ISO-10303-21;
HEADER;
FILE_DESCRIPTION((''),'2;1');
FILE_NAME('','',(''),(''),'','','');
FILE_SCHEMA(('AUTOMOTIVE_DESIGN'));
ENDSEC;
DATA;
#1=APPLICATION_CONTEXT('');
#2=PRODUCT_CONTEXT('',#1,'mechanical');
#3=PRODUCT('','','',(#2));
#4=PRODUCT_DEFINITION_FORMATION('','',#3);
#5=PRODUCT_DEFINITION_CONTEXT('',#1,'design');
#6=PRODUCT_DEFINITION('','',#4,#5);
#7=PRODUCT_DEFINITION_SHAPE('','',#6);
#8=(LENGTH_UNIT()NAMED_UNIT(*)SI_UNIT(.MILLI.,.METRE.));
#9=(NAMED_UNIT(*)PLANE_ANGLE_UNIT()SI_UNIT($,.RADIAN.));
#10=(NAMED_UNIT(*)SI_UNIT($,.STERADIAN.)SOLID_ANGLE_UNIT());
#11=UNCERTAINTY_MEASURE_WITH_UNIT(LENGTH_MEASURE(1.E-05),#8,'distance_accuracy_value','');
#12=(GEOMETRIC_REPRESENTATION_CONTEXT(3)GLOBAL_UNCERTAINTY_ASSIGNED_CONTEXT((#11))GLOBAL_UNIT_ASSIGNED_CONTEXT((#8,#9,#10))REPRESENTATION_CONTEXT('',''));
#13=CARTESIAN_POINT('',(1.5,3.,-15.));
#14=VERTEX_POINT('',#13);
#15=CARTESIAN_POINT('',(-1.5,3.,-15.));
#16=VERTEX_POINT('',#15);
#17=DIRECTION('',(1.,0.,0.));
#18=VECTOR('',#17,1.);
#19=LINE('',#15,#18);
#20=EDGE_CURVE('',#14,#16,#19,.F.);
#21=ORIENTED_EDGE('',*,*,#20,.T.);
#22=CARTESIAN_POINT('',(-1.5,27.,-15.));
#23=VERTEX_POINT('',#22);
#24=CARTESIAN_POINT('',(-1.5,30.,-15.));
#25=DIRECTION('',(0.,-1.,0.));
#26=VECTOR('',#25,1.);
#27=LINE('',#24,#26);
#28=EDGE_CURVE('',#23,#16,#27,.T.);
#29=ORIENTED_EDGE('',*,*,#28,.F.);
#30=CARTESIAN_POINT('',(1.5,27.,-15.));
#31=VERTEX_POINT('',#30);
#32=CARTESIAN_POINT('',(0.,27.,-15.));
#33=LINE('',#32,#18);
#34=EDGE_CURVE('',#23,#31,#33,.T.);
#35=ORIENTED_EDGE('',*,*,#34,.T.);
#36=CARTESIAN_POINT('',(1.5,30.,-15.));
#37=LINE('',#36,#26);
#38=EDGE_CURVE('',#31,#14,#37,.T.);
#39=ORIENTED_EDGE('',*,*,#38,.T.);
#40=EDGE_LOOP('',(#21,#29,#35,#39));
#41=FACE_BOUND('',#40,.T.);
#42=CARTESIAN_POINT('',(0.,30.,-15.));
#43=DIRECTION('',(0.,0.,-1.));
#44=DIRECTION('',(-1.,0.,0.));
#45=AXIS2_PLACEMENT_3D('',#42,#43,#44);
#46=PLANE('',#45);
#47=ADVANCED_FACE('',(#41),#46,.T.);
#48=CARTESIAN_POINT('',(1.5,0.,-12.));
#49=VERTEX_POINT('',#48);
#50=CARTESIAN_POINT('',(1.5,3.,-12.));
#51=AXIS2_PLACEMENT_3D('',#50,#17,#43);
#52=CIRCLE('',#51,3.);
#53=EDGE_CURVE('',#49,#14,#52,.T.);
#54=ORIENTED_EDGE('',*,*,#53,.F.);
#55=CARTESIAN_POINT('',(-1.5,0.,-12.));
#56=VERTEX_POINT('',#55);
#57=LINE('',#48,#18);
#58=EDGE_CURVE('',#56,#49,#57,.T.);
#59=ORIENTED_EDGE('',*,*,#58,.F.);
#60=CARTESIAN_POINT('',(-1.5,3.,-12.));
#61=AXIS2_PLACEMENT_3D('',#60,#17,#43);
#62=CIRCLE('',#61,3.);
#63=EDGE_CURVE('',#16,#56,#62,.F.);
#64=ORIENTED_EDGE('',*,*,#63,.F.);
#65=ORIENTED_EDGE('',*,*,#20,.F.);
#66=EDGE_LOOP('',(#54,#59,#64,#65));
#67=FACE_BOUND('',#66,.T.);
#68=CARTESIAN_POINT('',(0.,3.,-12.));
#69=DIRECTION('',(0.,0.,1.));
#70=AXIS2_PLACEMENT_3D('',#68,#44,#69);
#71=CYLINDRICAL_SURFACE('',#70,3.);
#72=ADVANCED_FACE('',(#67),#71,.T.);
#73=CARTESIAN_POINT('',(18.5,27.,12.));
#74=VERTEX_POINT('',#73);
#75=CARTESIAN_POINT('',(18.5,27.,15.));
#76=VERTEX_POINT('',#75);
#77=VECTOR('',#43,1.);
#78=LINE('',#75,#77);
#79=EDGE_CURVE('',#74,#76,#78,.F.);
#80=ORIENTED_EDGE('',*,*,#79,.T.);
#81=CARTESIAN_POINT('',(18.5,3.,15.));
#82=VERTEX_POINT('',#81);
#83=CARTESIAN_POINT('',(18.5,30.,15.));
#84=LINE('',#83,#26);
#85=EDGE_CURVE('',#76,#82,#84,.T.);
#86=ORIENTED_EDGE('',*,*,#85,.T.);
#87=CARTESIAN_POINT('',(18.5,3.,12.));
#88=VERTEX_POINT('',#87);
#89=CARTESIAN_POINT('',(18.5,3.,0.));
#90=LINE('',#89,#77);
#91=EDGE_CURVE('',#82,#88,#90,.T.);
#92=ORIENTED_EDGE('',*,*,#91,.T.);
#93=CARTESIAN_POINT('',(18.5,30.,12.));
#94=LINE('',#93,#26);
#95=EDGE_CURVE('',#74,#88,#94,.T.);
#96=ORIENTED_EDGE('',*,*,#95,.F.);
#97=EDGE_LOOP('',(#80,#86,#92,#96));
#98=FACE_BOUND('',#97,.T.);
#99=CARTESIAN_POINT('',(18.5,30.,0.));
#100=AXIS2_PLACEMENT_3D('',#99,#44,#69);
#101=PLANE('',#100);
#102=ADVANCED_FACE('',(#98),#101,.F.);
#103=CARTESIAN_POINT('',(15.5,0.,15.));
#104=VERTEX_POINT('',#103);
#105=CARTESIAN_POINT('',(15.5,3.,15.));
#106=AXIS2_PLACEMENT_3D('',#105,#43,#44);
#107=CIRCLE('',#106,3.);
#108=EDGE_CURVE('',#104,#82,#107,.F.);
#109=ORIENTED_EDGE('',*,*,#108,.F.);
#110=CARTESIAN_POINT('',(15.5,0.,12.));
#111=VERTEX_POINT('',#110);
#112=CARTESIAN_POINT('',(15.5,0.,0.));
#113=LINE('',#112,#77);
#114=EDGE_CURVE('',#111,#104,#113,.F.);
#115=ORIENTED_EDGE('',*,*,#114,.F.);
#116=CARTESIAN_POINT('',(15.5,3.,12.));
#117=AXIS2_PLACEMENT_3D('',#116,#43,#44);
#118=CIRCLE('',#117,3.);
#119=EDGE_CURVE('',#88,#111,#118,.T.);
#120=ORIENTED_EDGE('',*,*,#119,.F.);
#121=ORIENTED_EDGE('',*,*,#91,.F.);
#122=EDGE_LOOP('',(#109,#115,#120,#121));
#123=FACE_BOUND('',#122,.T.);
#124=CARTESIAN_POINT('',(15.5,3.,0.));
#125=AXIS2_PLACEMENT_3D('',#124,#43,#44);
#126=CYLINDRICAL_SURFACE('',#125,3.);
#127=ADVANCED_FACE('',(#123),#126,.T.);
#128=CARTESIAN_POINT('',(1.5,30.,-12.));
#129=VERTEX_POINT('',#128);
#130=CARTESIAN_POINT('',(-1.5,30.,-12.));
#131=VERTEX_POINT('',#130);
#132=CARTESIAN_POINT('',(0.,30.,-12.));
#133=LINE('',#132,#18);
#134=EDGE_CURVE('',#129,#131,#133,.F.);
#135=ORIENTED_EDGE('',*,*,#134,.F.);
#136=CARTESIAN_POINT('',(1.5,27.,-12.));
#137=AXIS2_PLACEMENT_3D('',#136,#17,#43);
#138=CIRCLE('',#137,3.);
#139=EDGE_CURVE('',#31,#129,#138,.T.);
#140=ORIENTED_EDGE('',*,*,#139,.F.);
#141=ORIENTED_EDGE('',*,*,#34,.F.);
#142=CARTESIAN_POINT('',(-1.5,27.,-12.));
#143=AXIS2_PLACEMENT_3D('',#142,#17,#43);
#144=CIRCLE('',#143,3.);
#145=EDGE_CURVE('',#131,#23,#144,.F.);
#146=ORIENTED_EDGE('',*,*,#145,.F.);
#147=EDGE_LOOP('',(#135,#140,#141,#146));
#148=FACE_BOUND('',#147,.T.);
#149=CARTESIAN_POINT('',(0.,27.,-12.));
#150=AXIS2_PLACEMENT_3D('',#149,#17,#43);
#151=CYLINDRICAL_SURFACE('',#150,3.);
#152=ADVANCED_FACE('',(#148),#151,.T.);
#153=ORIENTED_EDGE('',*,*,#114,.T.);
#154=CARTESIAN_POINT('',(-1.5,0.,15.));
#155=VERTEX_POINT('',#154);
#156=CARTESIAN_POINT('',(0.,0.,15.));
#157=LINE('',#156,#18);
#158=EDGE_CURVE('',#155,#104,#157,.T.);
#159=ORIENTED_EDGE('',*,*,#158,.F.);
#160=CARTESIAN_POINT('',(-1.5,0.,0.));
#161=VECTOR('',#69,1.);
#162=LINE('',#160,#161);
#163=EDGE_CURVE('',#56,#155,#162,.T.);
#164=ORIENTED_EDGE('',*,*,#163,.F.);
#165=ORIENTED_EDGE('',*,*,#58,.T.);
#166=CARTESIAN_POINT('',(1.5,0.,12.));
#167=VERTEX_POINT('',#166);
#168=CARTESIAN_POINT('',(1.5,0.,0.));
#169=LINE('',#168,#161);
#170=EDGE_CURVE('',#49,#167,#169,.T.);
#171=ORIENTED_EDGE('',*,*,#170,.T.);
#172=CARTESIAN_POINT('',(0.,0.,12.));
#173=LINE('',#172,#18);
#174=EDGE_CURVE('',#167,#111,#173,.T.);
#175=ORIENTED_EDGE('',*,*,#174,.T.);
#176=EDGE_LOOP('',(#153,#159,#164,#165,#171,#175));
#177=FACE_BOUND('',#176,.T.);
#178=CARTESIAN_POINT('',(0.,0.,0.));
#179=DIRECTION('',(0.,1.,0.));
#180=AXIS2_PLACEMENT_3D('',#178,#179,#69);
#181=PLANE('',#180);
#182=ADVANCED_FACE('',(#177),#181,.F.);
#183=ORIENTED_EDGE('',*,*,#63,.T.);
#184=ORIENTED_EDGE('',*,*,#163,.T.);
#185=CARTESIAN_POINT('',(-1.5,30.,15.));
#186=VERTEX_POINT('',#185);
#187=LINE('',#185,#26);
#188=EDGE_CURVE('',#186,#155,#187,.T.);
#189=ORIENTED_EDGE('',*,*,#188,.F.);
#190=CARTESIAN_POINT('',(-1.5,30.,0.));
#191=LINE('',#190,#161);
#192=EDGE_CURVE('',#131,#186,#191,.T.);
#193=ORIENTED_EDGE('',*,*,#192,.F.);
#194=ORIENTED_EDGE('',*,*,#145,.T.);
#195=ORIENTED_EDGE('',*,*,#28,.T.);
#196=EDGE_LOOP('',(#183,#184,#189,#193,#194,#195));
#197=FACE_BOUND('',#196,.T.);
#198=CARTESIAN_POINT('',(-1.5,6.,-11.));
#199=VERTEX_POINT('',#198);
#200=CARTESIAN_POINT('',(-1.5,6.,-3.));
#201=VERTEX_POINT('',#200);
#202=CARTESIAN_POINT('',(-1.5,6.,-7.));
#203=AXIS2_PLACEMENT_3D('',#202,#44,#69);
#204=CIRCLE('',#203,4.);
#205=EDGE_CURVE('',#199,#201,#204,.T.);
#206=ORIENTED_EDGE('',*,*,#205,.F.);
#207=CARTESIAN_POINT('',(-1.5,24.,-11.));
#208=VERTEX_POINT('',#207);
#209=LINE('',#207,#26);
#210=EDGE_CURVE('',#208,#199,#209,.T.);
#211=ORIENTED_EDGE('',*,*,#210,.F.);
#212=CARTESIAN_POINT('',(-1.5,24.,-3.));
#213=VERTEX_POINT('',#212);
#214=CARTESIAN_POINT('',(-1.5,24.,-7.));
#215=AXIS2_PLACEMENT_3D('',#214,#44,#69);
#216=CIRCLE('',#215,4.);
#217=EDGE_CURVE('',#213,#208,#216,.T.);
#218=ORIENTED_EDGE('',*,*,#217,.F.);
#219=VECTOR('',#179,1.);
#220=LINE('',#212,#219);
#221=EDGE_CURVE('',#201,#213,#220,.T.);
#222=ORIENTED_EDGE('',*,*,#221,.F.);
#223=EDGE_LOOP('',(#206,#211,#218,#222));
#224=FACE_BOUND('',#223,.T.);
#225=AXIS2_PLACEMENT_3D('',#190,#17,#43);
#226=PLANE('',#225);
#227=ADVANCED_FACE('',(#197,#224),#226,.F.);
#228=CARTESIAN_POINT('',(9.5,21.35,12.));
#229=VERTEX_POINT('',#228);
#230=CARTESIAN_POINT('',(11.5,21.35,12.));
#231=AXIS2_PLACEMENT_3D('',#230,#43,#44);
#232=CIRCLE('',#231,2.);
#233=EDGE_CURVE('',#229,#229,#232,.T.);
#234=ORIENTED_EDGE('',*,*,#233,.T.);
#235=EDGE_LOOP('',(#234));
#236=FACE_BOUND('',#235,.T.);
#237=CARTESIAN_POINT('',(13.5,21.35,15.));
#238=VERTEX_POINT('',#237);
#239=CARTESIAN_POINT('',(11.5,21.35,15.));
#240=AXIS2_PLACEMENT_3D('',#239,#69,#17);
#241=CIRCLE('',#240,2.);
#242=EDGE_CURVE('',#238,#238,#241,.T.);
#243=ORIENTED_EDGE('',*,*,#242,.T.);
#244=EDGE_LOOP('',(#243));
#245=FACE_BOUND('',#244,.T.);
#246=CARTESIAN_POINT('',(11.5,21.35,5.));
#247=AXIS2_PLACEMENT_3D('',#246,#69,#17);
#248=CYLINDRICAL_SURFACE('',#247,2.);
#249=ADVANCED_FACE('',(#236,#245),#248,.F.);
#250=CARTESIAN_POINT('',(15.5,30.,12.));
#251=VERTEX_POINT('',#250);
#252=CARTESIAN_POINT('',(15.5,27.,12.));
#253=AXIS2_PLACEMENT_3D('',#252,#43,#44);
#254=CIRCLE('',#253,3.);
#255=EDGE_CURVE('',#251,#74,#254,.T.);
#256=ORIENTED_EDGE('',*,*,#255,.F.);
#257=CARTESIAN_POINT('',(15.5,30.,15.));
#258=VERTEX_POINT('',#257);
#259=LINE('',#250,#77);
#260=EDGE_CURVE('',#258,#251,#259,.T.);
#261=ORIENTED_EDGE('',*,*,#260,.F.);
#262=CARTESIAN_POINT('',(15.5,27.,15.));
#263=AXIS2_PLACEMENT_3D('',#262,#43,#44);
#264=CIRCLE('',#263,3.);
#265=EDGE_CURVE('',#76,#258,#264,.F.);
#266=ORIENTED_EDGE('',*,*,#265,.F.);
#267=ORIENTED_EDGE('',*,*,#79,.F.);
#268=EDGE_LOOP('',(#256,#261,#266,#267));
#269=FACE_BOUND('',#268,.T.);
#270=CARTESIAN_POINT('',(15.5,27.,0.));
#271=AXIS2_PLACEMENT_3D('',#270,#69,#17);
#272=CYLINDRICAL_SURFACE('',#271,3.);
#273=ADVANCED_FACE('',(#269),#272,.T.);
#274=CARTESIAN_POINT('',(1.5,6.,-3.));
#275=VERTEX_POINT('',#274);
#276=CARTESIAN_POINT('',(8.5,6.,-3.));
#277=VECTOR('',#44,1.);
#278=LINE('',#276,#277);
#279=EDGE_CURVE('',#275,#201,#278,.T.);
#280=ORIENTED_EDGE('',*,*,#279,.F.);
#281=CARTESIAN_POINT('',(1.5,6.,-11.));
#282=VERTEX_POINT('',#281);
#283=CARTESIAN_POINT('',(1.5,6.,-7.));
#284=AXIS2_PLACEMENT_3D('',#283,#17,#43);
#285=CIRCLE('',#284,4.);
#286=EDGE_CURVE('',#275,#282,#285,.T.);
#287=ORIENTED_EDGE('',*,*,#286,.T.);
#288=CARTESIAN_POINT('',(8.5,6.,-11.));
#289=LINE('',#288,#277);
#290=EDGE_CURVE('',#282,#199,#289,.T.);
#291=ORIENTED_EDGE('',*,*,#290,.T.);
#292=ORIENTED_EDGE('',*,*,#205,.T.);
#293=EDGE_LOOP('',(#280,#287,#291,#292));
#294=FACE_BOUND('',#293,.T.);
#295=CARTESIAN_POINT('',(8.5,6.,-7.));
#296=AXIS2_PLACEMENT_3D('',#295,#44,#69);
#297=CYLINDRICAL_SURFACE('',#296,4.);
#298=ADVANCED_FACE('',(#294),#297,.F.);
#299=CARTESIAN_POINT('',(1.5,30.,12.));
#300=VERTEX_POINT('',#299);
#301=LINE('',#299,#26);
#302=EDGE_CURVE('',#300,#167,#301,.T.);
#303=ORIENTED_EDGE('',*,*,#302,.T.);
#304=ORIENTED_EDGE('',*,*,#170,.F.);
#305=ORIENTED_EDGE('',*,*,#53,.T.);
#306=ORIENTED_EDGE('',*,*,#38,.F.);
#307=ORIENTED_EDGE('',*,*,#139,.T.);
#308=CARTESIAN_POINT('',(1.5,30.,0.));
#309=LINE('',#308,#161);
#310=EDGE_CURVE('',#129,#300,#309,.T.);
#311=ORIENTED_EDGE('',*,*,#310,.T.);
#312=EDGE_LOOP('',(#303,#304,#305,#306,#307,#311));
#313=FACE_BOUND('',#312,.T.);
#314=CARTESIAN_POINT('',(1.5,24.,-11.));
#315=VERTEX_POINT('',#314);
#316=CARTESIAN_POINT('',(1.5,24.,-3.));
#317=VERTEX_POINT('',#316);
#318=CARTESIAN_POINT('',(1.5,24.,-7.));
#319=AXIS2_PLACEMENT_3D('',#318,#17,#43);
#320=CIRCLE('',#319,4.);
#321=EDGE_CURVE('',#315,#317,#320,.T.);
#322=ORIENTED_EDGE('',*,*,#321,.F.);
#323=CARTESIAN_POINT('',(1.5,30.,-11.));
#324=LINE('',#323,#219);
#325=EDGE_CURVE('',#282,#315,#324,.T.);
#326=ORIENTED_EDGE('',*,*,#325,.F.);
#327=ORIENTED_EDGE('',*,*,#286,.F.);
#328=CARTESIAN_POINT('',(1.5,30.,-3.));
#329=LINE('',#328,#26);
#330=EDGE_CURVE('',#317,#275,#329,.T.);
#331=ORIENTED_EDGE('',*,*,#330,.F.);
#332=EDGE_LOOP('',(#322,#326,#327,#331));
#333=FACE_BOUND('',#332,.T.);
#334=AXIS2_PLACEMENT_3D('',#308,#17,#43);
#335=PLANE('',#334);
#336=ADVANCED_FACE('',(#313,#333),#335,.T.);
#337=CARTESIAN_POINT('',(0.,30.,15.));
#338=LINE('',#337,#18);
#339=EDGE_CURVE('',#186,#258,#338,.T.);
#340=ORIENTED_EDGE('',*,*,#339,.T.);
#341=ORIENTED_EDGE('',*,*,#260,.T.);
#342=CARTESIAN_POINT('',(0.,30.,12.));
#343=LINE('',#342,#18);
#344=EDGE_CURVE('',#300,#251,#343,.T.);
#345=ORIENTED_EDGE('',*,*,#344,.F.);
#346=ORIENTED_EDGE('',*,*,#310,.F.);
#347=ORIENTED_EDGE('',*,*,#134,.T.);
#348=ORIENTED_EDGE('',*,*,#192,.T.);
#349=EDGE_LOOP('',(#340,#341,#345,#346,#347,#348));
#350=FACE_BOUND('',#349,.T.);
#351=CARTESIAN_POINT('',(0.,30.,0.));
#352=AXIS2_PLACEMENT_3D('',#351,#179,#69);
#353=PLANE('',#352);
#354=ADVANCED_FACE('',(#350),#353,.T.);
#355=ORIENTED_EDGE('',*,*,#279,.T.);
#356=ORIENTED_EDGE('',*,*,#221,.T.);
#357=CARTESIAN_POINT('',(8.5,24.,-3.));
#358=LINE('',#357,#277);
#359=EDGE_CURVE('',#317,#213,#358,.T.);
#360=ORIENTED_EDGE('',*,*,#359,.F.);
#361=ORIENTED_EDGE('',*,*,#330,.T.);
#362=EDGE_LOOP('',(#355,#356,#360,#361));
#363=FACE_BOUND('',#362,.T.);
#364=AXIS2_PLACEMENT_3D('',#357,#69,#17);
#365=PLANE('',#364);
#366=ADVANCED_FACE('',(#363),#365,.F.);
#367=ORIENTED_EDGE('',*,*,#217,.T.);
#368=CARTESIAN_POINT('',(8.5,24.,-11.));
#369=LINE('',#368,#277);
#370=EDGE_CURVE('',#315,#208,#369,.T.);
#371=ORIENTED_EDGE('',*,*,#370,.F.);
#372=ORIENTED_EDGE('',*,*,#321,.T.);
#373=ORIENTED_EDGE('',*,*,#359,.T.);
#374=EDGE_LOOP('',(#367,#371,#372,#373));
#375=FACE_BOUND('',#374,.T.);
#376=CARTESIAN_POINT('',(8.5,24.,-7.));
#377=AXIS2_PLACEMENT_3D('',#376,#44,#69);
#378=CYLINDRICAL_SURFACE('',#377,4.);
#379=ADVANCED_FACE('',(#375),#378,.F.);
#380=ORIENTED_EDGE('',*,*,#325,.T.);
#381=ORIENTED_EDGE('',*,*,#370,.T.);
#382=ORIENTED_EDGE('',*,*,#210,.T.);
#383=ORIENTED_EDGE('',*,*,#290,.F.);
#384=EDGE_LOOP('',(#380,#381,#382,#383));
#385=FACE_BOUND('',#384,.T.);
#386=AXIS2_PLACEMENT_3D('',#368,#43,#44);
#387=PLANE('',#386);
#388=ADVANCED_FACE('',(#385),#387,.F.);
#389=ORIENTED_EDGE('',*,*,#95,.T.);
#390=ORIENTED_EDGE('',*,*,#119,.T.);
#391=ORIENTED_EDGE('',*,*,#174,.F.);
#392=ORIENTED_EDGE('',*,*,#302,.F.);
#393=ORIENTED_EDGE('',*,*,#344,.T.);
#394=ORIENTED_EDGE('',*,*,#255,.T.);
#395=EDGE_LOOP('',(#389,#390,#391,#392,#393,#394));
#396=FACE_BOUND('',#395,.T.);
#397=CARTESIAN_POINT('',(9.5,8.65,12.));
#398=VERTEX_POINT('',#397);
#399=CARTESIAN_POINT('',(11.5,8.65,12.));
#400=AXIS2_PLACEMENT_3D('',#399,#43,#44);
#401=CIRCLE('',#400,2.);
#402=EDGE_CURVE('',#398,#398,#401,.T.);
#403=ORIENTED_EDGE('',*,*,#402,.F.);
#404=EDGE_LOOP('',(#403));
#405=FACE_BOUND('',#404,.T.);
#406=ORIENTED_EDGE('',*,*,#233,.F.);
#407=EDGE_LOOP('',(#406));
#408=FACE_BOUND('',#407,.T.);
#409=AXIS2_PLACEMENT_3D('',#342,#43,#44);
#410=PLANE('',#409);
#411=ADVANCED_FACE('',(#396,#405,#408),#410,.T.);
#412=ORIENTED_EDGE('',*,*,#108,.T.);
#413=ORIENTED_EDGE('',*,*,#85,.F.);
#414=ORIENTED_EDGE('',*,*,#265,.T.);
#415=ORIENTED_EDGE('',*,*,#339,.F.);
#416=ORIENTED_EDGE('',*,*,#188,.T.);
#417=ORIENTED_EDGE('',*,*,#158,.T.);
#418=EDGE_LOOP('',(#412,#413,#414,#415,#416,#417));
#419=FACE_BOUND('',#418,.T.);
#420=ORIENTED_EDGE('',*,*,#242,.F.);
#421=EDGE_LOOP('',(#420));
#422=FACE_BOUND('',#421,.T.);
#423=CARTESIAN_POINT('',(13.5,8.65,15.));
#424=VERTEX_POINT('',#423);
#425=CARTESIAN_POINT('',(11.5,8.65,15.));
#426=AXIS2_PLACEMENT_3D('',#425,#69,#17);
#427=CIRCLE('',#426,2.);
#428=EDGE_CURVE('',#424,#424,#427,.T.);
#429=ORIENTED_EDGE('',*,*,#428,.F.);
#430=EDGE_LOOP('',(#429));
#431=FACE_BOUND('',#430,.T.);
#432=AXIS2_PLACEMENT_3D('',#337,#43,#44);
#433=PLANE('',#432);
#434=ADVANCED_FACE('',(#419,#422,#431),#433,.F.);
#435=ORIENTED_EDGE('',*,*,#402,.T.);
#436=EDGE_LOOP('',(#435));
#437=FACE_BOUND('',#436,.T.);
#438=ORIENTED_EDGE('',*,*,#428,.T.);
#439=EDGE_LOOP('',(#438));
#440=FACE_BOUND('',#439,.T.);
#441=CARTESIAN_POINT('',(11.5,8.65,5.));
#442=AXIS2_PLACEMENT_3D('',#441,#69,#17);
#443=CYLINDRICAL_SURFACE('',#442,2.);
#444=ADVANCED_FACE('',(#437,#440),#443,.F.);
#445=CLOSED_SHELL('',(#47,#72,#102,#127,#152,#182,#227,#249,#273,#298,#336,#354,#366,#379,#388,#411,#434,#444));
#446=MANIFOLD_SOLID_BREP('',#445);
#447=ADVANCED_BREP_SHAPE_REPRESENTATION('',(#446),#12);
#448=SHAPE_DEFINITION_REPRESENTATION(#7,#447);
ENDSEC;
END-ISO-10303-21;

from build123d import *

# Parameters (mm, degrees)
SKETCH_1_W          = 3
SKETCH_1_H          = 27
SKETCH_1_H_2        = 3
SKETCH_1_W_2        = 17
EXTRUDE_1_DEPTH     = 30
SKETCH_2_R          = 2
CUT_EXTRUDE_1_DEPTH = 10
CUT_EXTRUDE_2_DEPTH = 10
FILLET_1_R          = 3


with BuildPart() as part:
    # 草图1 → 凸台-拉伸1 (new body)
    with BuildSketch(Plane(origin=(0, 0, 0), x_dir=(1, 0, 0), z_dir=(0, 1, 0))):
        with Locations((0, 1.5)):
            Rectangle(SKETCH_1_W, SKETCH_1_H)
        with Locations((0, -13.5)):
            Rectangle(SKETCH_1_W, SKETCH_1_H_2)
        with Locations((10, -13.5)):
            Rectangle(SKETCH_1_W_2, SKETCH_1_H_2)
    extrude(amount=EXTRUDE_1_DEPTH)

    # 草图2 → 切除-拉伸1 (cut)
    with BuildSketch(Plane.XY.offset(15)):
        with Locations((11.5, 21.35)):
            Circle(SKETCH_2_R)
        with Locations((11.5, 8.65)):
            Circle(SKETCH_2_R)
        with Locations((11.5, -4.05)):
            Circle(SKETCH_2_R)
    extrude(amount=-CUT_EXTRUDE_1_DEPTH, mode=Mode.SUBTRACT)

    # 草图3 → 切除-拉伸2 (cut)
    with BuildSketch(Plane.ZY.offset(1.5)):
        with BuildLine():
            Line((-3, 24), (-3, 6))
            ThreePointArc((-3, 6), (-7, 2), (-11, 6))
            Line((-11, 6), (-11, 24))
            ThreePointArc((-11, 24), (-7, 28), (-3, 24))
        make_face()
    extrude(amount=-CUT_EXTRUDE_2_DEPTH, mode=Mode.SUBTRACT)

    # 圆角1
    fillet_1_edges = [part.edges().sort_by_distance(p)[0] for p in [
        (18.5, 0, 13.5),
        (18.5, 30, 13.5),
        (0, 30, -15),
        (0, 0, -15),
    ]]
    fillet(fillet_1_edges, radius=FILLET_1_R)


solid = part.part
